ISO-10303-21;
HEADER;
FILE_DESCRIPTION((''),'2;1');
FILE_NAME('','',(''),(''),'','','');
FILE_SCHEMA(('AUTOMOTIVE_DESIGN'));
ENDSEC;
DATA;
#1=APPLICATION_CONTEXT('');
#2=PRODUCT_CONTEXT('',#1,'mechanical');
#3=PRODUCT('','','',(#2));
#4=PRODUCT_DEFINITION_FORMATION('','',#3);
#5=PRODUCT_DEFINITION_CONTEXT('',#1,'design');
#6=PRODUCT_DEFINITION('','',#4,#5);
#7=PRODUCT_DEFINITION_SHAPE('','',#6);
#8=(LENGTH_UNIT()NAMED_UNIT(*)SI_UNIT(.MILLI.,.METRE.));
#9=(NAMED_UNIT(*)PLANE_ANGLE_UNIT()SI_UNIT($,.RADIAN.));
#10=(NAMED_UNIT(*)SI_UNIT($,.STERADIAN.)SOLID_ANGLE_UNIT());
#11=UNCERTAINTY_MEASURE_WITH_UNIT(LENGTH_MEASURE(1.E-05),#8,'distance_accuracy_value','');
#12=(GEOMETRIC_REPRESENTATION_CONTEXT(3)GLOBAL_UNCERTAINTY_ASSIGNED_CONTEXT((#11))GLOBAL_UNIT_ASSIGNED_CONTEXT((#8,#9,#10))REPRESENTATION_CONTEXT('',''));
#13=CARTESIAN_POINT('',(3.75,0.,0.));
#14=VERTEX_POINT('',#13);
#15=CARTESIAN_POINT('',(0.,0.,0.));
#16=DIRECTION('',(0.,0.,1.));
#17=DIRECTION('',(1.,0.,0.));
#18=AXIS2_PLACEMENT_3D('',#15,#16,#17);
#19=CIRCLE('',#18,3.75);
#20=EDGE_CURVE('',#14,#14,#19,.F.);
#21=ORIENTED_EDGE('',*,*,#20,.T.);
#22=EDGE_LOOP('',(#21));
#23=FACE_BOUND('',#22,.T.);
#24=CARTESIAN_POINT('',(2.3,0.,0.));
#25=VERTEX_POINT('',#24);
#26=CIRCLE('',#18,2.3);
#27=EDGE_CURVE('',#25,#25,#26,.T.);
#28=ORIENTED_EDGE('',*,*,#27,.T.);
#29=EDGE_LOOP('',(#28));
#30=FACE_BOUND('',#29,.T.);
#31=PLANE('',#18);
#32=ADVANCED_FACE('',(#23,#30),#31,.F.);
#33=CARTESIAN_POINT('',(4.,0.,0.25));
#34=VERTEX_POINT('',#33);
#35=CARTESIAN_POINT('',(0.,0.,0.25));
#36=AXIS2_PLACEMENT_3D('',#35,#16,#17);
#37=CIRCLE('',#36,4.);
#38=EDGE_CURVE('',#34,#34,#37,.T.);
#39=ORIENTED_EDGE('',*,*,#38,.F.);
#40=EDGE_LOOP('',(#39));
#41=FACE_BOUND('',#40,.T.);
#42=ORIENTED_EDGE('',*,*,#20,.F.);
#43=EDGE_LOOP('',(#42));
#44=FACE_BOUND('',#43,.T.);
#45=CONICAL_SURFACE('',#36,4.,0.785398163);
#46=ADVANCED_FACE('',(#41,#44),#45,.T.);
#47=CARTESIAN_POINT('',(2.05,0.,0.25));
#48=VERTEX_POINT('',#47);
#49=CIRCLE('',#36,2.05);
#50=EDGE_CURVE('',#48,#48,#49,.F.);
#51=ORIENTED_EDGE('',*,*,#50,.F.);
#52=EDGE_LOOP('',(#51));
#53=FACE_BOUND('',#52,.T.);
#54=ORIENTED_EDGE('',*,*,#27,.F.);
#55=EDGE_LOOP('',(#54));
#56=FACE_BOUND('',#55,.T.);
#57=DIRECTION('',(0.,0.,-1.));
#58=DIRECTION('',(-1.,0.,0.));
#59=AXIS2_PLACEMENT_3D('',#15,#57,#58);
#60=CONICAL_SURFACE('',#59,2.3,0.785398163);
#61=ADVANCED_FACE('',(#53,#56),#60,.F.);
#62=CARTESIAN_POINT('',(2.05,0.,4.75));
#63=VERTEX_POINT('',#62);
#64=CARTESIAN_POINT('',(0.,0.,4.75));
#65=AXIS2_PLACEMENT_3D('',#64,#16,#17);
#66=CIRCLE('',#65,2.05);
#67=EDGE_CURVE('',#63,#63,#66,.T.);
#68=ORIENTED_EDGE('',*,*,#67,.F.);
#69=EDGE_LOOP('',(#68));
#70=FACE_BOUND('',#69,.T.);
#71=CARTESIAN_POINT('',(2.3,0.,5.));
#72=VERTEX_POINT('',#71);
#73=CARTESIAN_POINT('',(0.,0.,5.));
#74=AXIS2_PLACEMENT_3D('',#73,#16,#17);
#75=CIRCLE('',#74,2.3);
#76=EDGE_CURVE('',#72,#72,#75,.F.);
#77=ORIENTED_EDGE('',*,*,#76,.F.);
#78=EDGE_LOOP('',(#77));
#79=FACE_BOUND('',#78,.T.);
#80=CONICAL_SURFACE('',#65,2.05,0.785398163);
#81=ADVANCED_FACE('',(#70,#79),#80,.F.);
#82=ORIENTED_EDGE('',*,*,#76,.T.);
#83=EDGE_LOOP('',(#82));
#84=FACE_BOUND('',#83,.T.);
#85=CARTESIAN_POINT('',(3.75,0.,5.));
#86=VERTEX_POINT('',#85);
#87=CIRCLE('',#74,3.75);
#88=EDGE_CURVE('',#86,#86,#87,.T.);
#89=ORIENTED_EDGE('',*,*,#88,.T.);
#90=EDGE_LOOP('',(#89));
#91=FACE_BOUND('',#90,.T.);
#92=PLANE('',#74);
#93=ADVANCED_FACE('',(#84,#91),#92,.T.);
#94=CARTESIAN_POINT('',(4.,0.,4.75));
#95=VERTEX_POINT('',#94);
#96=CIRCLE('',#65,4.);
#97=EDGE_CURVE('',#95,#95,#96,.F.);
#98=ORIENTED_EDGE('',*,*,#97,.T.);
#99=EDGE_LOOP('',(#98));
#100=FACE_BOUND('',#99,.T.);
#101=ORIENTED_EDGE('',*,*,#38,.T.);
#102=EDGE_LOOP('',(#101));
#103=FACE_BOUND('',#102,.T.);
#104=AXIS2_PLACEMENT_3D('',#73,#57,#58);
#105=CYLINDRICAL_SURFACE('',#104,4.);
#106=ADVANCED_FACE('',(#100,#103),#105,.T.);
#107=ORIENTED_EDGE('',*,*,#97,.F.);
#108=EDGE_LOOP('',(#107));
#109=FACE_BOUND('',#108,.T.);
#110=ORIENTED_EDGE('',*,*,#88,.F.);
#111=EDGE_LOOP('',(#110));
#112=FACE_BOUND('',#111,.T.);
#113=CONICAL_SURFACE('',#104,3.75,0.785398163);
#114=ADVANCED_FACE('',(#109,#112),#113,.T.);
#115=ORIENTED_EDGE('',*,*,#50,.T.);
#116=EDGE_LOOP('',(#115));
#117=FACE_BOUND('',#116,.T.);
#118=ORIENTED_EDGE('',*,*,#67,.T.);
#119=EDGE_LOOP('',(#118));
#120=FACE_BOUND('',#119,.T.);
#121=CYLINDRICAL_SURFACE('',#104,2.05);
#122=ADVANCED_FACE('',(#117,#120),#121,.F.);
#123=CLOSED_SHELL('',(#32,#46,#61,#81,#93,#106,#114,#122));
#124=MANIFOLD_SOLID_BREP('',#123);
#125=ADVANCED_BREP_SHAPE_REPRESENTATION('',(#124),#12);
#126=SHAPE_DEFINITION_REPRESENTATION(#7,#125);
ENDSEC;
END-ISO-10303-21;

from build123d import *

# Parameters (mm, degrees)
SKETCH1_R      = 4
SKETCH1_R_2    = 2.05
EXTRUDE1_DEPTH = 5
CHAMFER2_SIZE  = 0.25


with BuildPart() as part:
    # Sketch1 → Extrude1 (new body)
    with BuildSketch(Plane.XY):
        Circle(SKETCH1_R)
        Circle(SKETCH1_R_2, mode=Mode.SUBTRACT)
    extrude(amount=EXTRUDE1_DEPTH)

    # Chamfer2
    chamfer2_edges = [part.edges().sort_by_distance(p)[0] for p in [
        (-4, 0, 0),
        (-4, 0, 5),
        (-2.05, 0, 0),
        (-2.05, 0, 5),
    ]]
    chamfer(chamfer2_edges, length=CHAMFER2_SIZE)


solid = part.part
